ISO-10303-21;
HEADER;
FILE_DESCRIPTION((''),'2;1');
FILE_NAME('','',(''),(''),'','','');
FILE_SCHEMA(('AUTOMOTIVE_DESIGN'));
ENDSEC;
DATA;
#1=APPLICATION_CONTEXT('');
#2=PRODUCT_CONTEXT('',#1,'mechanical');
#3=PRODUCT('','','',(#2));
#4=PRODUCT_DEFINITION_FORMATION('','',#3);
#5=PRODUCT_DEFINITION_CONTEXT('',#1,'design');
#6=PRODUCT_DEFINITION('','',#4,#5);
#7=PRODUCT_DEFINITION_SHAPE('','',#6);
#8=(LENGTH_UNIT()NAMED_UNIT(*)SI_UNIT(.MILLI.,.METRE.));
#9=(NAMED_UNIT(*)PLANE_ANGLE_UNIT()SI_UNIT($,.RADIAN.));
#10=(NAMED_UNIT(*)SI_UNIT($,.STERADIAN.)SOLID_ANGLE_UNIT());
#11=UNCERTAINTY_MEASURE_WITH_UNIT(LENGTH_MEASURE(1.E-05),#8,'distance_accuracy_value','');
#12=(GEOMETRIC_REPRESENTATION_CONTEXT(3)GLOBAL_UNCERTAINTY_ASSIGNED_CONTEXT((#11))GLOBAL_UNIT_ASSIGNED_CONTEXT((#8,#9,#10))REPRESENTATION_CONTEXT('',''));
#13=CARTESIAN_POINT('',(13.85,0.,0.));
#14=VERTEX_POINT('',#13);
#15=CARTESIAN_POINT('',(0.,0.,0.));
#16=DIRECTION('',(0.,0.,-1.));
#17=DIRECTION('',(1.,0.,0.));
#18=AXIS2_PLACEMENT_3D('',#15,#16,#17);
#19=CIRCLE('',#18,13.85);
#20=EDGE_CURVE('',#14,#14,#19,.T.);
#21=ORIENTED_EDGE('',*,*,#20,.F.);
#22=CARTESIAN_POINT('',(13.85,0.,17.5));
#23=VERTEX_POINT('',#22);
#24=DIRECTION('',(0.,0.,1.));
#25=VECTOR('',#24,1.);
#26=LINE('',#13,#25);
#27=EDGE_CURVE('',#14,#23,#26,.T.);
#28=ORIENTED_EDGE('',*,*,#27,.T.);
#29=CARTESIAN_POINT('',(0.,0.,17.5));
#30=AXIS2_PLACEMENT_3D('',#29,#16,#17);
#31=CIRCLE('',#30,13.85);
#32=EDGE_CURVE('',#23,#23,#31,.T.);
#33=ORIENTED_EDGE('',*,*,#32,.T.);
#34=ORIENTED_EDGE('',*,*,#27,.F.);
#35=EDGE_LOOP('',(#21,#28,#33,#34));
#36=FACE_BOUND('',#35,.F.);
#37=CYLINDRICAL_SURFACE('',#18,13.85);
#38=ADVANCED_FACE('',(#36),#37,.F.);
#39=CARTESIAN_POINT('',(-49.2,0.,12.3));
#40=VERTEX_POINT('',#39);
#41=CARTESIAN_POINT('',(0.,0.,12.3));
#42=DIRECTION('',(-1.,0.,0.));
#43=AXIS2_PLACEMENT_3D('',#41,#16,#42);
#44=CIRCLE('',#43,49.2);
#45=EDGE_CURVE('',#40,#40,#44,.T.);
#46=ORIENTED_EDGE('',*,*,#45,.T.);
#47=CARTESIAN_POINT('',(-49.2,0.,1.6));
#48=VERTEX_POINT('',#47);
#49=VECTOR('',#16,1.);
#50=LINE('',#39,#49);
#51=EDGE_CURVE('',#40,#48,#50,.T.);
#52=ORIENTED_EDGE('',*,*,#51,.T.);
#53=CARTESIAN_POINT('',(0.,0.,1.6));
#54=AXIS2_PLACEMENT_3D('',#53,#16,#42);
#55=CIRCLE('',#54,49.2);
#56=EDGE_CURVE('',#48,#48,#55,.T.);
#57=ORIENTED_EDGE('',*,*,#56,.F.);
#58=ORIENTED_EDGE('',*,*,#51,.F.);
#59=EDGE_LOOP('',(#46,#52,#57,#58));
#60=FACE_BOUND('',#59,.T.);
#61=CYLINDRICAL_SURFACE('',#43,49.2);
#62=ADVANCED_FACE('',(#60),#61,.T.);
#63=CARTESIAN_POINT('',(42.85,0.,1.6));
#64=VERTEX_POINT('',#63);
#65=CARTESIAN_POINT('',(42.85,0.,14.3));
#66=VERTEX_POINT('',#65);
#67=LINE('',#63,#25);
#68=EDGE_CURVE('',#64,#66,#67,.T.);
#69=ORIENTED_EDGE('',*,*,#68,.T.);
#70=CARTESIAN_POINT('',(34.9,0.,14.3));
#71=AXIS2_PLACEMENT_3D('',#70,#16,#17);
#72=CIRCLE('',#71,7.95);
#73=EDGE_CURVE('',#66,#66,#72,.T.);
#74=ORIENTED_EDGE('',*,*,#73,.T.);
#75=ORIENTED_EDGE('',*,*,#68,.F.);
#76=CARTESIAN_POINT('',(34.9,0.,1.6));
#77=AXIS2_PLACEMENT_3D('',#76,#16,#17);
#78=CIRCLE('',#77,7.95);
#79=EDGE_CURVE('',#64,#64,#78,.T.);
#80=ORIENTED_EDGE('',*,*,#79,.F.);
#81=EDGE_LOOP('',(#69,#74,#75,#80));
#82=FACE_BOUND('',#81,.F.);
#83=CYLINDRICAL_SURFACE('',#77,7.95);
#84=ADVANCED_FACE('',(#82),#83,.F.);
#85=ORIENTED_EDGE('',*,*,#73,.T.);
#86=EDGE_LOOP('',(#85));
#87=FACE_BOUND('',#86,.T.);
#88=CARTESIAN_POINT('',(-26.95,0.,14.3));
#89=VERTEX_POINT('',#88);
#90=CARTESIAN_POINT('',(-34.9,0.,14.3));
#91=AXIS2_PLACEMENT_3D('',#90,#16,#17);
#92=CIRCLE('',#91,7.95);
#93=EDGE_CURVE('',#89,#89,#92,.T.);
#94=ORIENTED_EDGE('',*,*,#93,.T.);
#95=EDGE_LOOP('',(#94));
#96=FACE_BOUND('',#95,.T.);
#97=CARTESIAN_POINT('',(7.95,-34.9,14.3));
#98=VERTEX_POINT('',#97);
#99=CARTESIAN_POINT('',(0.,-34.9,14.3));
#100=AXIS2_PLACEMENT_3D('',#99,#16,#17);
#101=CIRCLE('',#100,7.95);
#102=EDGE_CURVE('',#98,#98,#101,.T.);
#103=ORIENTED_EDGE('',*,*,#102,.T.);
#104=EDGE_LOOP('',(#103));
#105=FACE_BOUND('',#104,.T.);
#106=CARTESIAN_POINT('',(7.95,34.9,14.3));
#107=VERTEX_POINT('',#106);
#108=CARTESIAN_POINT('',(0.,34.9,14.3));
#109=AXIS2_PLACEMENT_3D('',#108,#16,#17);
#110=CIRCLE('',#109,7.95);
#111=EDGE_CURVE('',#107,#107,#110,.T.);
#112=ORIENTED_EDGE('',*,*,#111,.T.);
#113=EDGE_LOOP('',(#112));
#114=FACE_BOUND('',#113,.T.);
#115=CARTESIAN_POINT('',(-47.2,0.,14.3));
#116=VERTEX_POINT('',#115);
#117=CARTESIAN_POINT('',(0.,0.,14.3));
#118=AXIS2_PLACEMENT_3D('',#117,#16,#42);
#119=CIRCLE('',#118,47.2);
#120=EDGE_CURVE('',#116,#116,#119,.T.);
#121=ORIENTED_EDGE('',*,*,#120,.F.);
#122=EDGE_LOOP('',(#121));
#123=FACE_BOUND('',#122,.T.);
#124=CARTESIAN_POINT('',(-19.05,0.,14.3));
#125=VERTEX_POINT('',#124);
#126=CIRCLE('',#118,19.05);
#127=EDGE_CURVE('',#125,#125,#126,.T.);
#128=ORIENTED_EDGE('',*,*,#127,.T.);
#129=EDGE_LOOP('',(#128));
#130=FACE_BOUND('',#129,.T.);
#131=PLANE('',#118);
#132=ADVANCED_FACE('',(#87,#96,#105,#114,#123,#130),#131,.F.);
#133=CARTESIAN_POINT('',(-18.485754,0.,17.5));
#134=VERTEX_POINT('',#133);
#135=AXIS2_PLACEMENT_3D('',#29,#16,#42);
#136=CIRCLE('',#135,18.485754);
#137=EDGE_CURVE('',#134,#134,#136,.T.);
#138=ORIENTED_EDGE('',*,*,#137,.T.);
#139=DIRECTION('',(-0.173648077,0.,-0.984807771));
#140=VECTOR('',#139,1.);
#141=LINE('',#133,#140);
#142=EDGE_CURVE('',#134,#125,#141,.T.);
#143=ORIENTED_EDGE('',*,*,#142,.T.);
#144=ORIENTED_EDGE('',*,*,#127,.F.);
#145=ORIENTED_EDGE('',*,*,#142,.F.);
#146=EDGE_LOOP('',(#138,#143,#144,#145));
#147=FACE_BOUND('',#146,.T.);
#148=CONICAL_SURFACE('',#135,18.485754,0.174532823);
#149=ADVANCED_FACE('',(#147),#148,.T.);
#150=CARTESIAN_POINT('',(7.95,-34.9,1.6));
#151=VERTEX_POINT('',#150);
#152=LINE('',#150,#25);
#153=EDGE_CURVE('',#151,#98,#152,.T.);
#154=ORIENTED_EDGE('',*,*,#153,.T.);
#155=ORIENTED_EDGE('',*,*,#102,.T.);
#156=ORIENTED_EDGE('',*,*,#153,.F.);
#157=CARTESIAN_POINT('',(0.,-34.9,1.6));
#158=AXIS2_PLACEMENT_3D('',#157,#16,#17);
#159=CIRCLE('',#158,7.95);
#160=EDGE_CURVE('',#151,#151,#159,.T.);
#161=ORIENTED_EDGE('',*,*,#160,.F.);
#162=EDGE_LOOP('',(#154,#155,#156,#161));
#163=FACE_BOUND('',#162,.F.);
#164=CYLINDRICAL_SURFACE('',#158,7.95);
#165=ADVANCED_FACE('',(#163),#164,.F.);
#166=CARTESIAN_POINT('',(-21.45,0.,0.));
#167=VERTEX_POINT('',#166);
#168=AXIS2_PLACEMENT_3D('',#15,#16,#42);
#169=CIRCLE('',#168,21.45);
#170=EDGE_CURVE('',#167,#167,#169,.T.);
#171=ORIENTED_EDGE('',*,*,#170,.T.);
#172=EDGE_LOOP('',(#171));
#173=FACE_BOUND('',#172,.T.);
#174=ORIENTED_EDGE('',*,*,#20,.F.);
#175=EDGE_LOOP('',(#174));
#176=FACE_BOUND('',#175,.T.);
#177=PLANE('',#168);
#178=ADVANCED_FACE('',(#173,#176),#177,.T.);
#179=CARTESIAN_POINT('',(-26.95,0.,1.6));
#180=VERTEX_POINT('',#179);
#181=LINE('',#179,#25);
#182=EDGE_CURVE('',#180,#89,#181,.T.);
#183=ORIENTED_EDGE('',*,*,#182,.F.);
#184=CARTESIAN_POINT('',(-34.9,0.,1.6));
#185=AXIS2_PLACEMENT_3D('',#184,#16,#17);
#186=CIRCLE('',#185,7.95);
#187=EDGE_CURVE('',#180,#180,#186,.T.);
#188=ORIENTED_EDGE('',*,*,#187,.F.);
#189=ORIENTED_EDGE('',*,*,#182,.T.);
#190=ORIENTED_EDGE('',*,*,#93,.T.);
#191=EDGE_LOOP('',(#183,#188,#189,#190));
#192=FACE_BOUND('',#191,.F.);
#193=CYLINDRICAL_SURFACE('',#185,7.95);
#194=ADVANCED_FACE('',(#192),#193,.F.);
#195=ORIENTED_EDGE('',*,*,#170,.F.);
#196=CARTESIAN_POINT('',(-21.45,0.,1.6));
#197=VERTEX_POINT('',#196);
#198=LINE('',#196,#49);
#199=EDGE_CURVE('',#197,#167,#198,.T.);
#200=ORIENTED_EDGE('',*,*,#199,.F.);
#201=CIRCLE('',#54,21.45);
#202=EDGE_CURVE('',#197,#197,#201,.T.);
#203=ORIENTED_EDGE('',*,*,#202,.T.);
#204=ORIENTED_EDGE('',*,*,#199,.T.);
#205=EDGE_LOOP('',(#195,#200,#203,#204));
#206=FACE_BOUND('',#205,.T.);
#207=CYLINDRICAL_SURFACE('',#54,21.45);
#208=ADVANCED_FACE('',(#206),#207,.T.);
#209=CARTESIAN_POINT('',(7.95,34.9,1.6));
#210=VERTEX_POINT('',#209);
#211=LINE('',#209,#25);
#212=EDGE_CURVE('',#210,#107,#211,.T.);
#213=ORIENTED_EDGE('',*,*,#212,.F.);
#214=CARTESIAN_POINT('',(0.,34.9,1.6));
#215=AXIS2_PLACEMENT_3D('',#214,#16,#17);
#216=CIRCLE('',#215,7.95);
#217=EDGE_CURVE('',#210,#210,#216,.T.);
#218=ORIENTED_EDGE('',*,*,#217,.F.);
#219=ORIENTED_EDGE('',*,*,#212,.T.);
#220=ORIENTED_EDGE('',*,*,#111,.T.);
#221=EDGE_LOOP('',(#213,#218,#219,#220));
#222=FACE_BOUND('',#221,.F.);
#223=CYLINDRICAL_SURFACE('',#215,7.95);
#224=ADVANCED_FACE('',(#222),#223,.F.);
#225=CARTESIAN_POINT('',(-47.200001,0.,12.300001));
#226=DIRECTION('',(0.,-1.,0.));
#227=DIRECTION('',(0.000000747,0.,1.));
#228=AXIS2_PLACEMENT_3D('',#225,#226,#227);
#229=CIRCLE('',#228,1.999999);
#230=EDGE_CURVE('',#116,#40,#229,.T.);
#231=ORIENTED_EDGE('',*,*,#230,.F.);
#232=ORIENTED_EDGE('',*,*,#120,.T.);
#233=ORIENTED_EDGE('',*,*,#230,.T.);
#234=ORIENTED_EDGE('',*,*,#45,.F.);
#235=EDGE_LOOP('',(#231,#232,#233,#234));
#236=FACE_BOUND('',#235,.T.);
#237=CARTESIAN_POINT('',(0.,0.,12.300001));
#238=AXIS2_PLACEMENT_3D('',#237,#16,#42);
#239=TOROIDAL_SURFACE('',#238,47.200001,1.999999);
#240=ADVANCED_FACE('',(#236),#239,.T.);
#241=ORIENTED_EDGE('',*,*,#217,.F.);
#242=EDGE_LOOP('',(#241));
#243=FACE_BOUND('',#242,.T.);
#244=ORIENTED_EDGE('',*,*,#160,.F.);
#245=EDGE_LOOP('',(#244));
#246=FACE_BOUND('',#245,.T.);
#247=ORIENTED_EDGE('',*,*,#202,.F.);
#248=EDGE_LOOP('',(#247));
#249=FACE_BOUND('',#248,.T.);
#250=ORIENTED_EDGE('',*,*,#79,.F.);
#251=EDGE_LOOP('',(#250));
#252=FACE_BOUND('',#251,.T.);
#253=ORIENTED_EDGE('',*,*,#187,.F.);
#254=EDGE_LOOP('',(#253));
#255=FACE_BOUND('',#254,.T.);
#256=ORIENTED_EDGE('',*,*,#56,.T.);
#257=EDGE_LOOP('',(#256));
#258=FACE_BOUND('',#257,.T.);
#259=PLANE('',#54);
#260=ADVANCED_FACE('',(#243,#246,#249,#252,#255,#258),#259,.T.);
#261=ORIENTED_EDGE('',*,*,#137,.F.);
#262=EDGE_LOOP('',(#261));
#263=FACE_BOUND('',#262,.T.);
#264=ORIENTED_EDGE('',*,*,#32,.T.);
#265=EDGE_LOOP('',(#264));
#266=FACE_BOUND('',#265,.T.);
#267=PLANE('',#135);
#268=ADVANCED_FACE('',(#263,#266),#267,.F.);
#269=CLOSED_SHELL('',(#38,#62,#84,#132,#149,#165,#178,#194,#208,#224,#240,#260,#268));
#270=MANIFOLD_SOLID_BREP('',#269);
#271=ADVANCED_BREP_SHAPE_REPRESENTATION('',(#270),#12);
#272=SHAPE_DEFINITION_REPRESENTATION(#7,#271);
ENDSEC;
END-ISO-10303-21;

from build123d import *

# Parameters (mm, degrees)
F2_R     = 13.85
F3_DEPTH = 17.501
F4_R     = 7.95
F5_DEPTH = 15.901


with BuildPart() as f1:
    # F0 (on Front) → F1 (revolve)
    with BuildSketch(Plane.XZ):
        with BuildLine():
            Line((-21.45, 0), (0, 0))
            Line((0, 0), (0, 17.5))
            Line((0, 17.5), (-18.485754, 17.5))
            Line((-18.485754, 17.5), (-19.05, 14.3))
            Line((-19.05, 14.3), (-47.2, 14.3))
            ThreePointArc((-47.2, 14.3), (-48.614214, 13.714214), (-49.2, 12.3))
            Line((-49.2, 12.3), (-49.2, 1.6))
            Line((-49.2, 1.6), (-21.45, 1.6))
            Line((-21.45, 1.6), (-21.45, 0))
        make_face()
    revolve(axis=Axis((0, 0, 8.75), (0, 0, -1)))

    # F2 (on face) → F3 (cut, through all)
    with BuildSketch(Plane(origin=(0, 0, 0), x_dir=(1, 0, 0), z_dir=(0, 0, -1))):
        Circle(F2_R)
    extrude(amount=-F3_DEPTH, mode=Mode.SUBTRACT)

    # F4 (on face) → F5 (cut, through all)
    with BuildSketch(Plane(origin=(0, 0, 1.6), x_dir=(1, 0, 0), z_dir=(0, 0, -1))):
        with Locations((0, 34.9)):
            Circle(F4_R)
        with Locations((-34.9, 0)):
            Circle(F4_R)
        with Locations((0, -34.9)):
            Circle(F4_R)
        with Locations((34.9, 0)):
            Circle(F4_R)
    extrude(amount=-F5_DEPTH, mode=Mode.SUBTRACT)


solid = f1.part
